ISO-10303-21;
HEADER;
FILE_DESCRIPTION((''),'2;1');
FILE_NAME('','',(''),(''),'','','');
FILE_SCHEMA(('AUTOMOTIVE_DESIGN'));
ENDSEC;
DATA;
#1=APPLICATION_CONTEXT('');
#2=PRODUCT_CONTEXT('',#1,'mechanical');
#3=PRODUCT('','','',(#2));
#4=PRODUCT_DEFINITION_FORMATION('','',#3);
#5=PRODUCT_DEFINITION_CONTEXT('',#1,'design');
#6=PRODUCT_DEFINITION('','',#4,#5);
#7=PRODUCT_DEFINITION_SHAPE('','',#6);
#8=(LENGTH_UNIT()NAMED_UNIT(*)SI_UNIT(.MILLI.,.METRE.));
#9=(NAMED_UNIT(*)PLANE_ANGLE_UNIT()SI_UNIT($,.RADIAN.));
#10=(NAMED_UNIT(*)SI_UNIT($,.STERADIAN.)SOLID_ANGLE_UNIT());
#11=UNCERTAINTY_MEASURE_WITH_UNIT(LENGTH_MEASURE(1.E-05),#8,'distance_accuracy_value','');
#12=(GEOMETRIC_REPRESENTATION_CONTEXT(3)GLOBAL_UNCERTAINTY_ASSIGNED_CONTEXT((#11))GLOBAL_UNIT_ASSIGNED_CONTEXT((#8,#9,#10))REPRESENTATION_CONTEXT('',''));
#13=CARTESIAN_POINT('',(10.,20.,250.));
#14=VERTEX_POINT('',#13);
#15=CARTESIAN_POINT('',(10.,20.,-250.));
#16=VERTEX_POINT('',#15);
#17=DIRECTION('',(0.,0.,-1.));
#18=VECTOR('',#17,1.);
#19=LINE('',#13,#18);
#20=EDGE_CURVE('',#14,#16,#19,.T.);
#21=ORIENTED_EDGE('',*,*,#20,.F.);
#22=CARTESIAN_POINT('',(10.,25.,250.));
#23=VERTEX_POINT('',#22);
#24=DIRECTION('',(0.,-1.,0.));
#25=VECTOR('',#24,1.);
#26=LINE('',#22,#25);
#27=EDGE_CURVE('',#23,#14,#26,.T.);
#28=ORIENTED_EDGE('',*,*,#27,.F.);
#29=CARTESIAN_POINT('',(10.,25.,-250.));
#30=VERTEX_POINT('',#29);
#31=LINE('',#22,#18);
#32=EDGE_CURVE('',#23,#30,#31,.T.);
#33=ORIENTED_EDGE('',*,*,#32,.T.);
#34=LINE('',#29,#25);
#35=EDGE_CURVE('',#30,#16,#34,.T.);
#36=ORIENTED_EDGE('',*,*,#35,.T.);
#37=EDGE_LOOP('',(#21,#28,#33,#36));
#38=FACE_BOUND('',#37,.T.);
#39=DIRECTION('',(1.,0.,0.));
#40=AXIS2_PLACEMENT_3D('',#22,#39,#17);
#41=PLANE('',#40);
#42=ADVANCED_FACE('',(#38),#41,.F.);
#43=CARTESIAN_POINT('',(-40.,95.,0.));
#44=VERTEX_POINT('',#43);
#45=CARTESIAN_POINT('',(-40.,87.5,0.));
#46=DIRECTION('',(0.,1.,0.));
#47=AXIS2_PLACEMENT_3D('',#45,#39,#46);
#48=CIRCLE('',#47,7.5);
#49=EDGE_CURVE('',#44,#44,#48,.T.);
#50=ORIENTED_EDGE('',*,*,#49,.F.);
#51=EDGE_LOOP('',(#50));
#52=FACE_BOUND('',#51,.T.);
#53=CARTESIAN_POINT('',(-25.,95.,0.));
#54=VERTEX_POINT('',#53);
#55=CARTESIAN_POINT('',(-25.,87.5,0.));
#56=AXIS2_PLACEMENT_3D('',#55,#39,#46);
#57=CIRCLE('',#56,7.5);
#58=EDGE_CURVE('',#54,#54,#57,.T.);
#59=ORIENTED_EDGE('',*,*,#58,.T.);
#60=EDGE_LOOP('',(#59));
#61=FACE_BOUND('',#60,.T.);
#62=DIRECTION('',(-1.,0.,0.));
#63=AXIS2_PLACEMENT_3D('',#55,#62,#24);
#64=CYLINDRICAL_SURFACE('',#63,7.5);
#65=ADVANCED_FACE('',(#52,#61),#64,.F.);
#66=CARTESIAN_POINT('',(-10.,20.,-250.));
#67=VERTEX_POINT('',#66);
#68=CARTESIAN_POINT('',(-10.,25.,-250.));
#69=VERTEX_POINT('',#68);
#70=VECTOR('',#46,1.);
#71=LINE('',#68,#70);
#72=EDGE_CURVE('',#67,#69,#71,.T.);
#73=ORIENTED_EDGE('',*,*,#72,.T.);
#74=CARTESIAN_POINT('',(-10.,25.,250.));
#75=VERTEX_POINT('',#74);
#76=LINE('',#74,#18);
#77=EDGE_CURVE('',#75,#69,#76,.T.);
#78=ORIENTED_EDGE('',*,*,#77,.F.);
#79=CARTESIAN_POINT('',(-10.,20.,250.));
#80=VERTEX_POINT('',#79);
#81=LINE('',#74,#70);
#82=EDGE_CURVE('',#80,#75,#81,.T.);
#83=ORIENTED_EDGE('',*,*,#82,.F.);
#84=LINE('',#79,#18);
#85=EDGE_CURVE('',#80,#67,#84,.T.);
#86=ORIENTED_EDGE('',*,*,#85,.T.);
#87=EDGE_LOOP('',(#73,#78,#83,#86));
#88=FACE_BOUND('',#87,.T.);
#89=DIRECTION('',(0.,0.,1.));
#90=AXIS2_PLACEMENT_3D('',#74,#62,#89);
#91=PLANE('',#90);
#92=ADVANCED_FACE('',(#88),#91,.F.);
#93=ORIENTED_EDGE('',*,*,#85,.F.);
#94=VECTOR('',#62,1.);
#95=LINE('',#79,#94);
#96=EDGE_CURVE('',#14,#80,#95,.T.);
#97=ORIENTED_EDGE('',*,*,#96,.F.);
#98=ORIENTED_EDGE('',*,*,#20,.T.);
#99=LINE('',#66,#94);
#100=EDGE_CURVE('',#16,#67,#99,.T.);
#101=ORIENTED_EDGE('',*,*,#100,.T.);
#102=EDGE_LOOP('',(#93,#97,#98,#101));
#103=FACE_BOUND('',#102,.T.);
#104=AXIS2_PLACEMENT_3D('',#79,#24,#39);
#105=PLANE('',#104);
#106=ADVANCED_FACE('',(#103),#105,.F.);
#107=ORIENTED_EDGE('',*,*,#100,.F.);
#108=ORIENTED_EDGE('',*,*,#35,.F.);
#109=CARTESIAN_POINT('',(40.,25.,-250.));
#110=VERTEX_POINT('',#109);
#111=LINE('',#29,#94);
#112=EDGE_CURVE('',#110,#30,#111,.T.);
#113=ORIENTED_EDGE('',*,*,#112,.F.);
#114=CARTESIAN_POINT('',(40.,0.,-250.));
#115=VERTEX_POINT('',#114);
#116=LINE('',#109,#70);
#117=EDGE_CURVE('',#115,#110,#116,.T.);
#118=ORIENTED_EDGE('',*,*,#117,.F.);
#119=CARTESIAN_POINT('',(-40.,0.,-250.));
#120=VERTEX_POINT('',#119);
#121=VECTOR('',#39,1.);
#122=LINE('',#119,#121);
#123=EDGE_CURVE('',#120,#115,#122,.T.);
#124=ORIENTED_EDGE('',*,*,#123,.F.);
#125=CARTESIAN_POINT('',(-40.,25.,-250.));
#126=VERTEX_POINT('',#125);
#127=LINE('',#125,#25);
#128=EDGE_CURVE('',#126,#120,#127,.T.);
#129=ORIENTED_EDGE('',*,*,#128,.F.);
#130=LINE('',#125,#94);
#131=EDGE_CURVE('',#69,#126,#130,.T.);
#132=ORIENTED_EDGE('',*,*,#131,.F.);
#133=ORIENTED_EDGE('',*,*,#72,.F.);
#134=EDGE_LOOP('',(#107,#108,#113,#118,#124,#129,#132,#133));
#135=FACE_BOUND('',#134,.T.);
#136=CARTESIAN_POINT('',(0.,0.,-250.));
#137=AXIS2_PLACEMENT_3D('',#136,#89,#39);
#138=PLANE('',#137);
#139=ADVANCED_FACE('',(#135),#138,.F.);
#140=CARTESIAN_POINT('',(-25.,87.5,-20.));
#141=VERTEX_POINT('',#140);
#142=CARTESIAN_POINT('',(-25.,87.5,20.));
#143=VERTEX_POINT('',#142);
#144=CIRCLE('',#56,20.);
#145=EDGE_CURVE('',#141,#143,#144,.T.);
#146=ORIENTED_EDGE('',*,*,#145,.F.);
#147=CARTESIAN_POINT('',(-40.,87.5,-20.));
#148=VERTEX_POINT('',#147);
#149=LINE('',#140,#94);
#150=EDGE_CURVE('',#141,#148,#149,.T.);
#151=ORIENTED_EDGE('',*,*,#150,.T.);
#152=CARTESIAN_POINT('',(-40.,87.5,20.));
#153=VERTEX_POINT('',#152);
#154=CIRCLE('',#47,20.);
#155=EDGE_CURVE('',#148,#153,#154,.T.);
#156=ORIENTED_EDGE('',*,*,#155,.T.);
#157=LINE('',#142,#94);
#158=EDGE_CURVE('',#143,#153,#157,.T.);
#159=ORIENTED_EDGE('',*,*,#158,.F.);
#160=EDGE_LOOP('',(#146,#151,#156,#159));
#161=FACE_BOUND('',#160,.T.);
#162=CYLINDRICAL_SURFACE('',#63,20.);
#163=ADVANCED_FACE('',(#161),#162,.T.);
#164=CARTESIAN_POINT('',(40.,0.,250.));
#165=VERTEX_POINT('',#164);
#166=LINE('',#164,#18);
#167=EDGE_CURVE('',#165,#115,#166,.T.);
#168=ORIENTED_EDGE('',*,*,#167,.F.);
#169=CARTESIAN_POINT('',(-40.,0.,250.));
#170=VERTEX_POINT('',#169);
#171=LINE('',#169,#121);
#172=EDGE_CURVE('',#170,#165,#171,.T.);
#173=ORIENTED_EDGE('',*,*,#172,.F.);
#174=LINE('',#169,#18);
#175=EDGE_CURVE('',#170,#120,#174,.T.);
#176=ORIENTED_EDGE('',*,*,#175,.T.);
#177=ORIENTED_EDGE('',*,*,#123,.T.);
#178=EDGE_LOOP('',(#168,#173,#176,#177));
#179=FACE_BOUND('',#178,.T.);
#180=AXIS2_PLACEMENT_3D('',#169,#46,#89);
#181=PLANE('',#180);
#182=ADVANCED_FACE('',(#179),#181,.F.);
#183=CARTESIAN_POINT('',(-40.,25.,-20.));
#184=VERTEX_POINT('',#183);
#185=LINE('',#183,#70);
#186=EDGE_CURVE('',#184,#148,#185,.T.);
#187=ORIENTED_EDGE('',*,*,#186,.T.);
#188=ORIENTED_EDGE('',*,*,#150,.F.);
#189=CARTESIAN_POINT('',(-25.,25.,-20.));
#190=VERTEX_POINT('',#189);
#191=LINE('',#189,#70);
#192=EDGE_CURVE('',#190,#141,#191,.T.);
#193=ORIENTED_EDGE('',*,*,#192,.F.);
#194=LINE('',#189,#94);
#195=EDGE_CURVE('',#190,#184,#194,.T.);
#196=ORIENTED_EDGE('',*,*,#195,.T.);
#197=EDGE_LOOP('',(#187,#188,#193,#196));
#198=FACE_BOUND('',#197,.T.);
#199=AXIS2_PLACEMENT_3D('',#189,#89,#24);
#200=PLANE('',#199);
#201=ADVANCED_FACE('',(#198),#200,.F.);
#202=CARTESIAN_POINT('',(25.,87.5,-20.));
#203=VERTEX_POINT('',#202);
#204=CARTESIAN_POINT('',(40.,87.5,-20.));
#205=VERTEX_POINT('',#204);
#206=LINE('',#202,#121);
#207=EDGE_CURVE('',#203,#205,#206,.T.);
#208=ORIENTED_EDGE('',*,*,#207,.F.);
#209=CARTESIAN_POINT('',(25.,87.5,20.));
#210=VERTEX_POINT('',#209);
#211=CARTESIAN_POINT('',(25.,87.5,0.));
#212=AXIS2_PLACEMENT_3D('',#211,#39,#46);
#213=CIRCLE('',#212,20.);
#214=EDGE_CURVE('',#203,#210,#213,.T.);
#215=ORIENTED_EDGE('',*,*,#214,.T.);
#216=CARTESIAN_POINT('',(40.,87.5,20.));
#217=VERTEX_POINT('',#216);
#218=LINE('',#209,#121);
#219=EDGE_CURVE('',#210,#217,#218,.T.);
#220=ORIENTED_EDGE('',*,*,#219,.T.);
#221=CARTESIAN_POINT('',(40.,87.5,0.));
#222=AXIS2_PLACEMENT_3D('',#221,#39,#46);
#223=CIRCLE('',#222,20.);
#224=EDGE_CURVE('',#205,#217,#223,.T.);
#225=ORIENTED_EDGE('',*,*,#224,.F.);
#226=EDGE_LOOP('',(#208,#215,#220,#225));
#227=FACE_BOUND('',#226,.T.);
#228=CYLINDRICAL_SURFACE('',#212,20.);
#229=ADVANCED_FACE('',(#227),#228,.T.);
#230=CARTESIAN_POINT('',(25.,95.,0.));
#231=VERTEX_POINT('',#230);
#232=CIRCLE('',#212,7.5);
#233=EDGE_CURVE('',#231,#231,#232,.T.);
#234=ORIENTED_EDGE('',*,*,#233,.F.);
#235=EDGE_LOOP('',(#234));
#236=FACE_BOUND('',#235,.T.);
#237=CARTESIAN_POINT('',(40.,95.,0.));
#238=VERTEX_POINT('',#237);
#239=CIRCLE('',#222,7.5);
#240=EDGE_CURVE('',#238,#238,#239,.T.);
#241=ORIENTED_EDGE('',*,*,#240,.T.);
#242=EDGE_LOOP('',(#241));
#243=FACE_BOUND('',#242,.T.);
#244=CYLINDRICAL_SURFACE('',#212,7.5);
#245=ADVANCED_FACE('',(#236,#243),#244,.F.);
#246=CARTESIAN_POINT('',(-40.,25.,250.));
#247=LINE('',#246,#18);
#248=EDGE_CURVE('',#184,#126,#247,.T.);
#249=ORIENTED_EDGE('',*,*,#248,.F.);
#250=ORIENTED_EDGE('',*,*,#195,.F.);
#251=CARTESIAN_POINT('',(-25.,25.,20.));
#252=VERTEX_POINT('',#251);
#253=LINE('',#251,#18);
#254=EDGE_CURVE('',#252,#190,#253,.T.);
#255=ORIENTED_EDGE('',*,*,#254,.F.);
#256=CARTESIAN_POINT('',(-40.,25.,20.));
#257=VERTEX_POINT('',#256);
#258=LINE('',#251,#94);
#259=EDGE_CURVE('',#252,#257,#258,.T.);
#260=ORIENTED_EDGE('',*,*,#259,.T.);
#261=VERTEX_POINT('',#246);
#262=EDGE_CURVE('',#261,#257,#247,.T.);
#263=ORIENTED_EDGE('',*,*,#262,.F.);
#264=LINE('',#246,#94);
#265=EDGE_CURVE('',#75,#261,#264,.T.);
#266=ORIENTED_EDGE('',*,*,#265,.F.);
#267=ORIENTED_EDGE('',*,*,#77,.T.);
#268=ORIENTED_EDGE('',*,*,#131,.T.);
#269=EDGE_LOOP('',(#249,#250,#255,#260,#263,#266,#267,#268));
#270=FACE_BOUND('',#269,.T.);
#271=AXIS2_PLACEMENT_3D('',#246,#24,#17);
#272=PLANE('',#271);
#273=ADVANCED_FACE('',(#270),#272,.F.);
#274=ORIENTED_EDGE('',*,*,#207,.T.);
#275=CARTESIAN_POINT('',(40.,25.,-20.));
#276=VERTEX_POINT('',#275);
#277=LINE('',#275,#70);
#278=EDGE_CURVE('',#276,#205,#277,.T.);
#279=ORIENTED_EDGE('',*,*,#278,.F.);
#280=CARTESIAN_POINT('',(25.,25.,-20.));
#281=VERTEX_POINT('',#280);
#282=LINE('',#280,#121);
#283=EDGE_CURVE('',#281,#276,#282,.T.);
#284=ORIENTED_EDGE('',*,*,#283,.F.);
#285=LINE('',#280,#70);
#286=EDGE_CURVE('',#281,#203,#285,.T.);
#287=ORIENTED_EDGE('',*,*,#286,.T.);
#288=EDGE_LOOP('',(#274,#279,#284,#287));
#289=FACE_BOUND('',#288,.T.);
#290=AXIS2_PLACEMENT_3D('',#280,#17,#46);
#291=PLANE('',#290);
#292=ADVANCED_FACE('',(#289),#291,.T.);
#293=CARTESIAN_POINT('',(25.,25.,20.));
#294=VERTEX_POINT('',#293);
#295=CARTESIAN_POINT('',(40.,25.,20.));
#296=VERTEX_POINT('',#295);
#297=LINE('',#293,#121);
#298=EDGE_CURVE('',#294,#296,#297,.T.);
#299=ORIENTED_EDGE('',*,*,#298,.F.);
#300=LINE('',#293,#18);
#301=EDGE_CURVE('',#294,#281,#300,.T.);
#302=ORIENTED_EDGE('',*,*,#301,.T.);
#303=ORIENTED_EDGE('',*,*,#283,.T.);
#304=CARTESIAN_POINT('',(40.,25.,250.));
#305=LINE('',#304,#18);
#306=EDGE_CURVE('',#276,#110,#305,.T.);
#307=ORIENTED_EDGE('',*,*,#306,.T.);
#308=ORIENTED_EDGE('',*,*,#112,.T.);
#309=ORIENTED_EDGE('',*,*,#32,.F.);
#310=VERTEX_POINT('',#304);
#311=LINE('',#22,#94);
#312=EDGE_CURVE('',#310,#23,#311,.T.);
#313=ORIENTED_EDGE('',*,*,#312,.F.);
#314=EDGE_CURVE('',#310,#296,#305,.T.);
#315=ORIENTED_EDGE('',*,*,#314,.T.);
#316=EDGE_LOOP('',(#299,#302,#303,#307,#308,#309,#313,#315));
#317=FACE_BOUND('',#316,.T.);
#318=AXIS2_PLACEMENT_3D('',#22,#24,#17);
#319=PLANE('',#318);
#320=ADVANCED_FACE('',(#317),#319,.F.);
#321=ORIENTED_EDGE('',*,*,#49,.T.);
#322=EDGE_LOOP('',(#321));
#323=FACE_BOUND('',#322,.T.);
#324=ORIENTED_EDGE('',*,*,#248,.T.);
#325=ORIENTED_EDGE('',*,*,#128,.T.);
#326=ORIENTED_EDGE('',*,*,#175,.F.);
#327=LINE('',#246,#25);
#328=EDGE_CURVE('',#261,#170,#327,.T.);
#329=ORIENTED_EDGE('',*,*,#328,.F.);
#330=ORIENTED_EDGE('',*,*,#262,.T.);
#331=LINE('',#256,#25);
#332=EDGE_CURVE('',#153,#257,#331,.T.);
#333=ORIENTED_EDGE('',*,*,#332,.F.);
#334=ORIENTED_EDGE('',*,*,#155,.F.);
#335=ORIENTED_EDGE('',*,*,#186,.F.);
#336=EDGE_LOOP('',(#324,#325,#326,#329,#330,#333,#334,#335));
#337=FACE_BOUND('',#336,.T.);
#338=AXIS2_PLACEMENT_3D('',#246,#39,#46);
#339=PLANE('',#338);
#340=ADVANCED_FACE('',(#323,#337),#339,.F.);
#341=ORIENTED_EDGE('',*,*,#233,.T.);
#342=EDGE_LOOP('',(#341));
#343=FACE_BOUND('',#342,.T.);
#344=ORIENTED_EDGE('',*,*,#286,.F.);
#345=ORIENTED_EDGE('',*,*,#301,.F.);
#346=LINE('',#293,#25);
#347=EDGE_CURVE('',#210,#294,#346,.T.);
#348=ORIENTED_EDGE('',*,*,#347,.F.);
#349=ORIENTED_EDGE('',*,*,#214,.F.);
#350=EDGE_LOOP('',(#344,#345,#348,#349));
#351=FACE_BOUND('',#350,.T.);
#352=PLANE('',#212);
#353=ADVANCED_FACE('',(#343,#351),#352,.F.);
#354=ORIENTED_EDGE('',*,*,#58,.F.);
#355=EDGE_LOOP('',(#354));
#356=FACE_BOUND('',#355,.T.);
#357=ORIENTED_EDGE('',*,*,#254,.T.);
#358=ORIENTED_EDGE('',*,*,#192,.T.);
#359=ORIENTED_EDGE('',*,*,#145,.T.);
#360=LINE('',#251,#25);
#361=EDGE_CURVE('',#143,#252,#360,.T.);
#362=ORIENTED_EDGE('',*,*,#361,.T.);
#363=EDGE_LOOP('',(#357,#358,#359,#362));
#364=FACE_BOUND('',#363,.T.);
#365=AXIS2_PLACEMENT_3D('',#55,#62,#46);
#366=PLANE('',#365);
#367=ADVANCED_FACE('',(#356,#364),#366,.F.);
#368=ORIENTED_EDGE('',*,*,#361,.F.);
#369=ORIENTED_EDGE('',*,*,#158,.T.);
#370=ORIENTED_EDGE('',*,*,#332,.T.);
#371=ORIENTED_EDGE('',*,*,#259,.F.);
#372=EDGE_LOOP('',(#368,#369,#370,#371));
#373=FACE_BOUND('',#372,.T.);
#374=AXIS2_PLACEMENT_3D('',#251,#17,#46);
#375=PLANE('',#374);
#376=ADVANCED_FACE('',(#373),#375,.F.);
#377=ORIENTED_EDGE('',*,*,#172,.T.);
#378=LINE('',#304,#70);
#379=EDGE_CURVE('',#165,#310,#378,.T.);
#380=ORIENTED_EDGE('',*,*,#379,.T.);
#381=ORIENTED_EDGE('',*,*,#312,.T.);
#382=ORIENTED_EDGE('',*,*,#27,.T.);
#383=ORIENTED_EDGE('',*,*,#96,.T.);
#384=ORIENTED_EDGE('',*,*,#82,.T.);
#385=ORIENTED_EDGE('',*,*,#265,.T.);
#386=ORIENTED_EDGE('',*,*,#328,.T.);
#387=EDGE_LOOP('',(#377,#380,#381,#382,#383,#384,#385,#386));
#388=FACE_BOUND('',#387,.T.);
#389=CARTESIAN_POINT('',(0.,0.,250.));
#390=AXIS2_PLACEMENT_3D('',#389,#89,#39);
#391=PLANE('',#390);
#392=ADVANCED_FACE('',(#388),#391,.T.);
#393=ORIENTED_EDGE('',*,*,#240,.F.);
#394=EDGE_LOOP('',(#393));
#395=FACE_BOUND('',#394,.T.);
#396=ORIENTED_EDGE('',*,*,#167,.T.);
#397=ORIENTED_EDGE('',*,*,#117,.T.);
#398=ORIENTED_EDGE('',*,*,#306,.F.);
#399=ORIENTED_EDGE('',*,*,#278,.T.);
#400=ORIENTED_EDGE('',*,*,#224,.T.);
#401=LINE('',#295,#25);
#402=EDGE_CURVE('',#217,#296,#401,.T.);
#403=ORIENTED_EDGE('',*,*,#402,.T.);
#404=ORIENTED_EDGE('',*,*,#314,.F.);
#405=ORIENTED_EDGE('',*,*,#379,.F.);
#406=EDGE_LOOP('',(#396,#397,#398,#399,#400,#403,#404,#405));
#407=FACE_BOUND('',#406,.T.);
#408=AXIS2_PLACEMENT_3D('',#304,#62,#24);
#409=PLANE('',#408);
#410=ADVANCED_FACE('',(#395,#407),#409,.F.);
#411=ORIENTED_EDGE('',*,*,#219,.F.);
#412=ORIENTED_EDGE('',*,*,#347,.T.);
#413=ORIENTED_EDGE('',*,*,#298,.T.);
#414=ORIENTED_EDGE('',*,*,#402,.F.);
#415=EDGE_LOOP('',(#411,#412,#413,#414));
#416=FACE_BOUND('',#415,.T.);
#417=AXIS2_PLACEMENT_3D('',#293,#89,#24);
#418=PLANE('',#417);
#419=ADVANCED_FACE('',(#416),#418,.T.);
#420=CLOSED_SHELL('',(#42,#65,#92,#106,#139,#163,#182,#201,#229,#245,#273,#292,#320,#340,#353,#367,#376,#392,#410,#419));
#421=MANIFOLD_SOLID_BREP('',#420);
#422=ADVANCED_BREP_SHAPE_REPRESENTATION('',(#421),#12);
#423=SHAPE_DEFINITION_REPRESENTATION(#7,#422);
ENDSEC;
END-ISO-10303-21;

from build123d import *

# Parameters (mm, degrees)
Y_KSEKLIK_EKSTR_ZYON1_DEPTH = 250
IZIM3_R                     = 7.5
Y_KSEKLIK_EKSTR_ZYON3_DEPTH = 15


with BuildPart() as part:
    # Çizim2 → Yükseklik-Ekstrüzyon1 (new body, symmetric)
    with BuildSketch(Plane.XY):
        Polygon((10, 25), (40, 25), (40, 0), (-40, 0), (-40, 25), (-10, 25), (-10, 20), (10, 20), align=None)
    extrude(amount=Y_KSEKLIK_EKSTR_ZYON1_DEPTH, both=True)

    # Çizim3 → Yükseklik-Ekstrüzyon3 (add)
    with BuildSketch(Plane(origin=(40, 0, 0), x_dir=(0, 0, -1), z_dir=(1, 0, 0))):
        with BuildLine():
            Line((-20, 25), (20, 25))
            Line((20, 25), (20, 87.5))
            ThreePointArc((20, 87.5), (0, 107.5), (-20, 87.5))
            Line((-20, 87.5), (-20, 25))
        make_face()
        with Locations((0, 87.5)):
            Circle(IZIM3_R, mode=Mode.SUBTRACT)
    y_kseklik_ekstr_zyon3 = extrude(amount=-Y_KSEKLIK_EKSTR_ZYON3_DEPTH)

    # Aynalama1: Yükseklik-Ekstrüzyon3 across plane
    add(y_kseklik_ekstr_zyon3.mirror(Plane.ZY))


solid = part.part
